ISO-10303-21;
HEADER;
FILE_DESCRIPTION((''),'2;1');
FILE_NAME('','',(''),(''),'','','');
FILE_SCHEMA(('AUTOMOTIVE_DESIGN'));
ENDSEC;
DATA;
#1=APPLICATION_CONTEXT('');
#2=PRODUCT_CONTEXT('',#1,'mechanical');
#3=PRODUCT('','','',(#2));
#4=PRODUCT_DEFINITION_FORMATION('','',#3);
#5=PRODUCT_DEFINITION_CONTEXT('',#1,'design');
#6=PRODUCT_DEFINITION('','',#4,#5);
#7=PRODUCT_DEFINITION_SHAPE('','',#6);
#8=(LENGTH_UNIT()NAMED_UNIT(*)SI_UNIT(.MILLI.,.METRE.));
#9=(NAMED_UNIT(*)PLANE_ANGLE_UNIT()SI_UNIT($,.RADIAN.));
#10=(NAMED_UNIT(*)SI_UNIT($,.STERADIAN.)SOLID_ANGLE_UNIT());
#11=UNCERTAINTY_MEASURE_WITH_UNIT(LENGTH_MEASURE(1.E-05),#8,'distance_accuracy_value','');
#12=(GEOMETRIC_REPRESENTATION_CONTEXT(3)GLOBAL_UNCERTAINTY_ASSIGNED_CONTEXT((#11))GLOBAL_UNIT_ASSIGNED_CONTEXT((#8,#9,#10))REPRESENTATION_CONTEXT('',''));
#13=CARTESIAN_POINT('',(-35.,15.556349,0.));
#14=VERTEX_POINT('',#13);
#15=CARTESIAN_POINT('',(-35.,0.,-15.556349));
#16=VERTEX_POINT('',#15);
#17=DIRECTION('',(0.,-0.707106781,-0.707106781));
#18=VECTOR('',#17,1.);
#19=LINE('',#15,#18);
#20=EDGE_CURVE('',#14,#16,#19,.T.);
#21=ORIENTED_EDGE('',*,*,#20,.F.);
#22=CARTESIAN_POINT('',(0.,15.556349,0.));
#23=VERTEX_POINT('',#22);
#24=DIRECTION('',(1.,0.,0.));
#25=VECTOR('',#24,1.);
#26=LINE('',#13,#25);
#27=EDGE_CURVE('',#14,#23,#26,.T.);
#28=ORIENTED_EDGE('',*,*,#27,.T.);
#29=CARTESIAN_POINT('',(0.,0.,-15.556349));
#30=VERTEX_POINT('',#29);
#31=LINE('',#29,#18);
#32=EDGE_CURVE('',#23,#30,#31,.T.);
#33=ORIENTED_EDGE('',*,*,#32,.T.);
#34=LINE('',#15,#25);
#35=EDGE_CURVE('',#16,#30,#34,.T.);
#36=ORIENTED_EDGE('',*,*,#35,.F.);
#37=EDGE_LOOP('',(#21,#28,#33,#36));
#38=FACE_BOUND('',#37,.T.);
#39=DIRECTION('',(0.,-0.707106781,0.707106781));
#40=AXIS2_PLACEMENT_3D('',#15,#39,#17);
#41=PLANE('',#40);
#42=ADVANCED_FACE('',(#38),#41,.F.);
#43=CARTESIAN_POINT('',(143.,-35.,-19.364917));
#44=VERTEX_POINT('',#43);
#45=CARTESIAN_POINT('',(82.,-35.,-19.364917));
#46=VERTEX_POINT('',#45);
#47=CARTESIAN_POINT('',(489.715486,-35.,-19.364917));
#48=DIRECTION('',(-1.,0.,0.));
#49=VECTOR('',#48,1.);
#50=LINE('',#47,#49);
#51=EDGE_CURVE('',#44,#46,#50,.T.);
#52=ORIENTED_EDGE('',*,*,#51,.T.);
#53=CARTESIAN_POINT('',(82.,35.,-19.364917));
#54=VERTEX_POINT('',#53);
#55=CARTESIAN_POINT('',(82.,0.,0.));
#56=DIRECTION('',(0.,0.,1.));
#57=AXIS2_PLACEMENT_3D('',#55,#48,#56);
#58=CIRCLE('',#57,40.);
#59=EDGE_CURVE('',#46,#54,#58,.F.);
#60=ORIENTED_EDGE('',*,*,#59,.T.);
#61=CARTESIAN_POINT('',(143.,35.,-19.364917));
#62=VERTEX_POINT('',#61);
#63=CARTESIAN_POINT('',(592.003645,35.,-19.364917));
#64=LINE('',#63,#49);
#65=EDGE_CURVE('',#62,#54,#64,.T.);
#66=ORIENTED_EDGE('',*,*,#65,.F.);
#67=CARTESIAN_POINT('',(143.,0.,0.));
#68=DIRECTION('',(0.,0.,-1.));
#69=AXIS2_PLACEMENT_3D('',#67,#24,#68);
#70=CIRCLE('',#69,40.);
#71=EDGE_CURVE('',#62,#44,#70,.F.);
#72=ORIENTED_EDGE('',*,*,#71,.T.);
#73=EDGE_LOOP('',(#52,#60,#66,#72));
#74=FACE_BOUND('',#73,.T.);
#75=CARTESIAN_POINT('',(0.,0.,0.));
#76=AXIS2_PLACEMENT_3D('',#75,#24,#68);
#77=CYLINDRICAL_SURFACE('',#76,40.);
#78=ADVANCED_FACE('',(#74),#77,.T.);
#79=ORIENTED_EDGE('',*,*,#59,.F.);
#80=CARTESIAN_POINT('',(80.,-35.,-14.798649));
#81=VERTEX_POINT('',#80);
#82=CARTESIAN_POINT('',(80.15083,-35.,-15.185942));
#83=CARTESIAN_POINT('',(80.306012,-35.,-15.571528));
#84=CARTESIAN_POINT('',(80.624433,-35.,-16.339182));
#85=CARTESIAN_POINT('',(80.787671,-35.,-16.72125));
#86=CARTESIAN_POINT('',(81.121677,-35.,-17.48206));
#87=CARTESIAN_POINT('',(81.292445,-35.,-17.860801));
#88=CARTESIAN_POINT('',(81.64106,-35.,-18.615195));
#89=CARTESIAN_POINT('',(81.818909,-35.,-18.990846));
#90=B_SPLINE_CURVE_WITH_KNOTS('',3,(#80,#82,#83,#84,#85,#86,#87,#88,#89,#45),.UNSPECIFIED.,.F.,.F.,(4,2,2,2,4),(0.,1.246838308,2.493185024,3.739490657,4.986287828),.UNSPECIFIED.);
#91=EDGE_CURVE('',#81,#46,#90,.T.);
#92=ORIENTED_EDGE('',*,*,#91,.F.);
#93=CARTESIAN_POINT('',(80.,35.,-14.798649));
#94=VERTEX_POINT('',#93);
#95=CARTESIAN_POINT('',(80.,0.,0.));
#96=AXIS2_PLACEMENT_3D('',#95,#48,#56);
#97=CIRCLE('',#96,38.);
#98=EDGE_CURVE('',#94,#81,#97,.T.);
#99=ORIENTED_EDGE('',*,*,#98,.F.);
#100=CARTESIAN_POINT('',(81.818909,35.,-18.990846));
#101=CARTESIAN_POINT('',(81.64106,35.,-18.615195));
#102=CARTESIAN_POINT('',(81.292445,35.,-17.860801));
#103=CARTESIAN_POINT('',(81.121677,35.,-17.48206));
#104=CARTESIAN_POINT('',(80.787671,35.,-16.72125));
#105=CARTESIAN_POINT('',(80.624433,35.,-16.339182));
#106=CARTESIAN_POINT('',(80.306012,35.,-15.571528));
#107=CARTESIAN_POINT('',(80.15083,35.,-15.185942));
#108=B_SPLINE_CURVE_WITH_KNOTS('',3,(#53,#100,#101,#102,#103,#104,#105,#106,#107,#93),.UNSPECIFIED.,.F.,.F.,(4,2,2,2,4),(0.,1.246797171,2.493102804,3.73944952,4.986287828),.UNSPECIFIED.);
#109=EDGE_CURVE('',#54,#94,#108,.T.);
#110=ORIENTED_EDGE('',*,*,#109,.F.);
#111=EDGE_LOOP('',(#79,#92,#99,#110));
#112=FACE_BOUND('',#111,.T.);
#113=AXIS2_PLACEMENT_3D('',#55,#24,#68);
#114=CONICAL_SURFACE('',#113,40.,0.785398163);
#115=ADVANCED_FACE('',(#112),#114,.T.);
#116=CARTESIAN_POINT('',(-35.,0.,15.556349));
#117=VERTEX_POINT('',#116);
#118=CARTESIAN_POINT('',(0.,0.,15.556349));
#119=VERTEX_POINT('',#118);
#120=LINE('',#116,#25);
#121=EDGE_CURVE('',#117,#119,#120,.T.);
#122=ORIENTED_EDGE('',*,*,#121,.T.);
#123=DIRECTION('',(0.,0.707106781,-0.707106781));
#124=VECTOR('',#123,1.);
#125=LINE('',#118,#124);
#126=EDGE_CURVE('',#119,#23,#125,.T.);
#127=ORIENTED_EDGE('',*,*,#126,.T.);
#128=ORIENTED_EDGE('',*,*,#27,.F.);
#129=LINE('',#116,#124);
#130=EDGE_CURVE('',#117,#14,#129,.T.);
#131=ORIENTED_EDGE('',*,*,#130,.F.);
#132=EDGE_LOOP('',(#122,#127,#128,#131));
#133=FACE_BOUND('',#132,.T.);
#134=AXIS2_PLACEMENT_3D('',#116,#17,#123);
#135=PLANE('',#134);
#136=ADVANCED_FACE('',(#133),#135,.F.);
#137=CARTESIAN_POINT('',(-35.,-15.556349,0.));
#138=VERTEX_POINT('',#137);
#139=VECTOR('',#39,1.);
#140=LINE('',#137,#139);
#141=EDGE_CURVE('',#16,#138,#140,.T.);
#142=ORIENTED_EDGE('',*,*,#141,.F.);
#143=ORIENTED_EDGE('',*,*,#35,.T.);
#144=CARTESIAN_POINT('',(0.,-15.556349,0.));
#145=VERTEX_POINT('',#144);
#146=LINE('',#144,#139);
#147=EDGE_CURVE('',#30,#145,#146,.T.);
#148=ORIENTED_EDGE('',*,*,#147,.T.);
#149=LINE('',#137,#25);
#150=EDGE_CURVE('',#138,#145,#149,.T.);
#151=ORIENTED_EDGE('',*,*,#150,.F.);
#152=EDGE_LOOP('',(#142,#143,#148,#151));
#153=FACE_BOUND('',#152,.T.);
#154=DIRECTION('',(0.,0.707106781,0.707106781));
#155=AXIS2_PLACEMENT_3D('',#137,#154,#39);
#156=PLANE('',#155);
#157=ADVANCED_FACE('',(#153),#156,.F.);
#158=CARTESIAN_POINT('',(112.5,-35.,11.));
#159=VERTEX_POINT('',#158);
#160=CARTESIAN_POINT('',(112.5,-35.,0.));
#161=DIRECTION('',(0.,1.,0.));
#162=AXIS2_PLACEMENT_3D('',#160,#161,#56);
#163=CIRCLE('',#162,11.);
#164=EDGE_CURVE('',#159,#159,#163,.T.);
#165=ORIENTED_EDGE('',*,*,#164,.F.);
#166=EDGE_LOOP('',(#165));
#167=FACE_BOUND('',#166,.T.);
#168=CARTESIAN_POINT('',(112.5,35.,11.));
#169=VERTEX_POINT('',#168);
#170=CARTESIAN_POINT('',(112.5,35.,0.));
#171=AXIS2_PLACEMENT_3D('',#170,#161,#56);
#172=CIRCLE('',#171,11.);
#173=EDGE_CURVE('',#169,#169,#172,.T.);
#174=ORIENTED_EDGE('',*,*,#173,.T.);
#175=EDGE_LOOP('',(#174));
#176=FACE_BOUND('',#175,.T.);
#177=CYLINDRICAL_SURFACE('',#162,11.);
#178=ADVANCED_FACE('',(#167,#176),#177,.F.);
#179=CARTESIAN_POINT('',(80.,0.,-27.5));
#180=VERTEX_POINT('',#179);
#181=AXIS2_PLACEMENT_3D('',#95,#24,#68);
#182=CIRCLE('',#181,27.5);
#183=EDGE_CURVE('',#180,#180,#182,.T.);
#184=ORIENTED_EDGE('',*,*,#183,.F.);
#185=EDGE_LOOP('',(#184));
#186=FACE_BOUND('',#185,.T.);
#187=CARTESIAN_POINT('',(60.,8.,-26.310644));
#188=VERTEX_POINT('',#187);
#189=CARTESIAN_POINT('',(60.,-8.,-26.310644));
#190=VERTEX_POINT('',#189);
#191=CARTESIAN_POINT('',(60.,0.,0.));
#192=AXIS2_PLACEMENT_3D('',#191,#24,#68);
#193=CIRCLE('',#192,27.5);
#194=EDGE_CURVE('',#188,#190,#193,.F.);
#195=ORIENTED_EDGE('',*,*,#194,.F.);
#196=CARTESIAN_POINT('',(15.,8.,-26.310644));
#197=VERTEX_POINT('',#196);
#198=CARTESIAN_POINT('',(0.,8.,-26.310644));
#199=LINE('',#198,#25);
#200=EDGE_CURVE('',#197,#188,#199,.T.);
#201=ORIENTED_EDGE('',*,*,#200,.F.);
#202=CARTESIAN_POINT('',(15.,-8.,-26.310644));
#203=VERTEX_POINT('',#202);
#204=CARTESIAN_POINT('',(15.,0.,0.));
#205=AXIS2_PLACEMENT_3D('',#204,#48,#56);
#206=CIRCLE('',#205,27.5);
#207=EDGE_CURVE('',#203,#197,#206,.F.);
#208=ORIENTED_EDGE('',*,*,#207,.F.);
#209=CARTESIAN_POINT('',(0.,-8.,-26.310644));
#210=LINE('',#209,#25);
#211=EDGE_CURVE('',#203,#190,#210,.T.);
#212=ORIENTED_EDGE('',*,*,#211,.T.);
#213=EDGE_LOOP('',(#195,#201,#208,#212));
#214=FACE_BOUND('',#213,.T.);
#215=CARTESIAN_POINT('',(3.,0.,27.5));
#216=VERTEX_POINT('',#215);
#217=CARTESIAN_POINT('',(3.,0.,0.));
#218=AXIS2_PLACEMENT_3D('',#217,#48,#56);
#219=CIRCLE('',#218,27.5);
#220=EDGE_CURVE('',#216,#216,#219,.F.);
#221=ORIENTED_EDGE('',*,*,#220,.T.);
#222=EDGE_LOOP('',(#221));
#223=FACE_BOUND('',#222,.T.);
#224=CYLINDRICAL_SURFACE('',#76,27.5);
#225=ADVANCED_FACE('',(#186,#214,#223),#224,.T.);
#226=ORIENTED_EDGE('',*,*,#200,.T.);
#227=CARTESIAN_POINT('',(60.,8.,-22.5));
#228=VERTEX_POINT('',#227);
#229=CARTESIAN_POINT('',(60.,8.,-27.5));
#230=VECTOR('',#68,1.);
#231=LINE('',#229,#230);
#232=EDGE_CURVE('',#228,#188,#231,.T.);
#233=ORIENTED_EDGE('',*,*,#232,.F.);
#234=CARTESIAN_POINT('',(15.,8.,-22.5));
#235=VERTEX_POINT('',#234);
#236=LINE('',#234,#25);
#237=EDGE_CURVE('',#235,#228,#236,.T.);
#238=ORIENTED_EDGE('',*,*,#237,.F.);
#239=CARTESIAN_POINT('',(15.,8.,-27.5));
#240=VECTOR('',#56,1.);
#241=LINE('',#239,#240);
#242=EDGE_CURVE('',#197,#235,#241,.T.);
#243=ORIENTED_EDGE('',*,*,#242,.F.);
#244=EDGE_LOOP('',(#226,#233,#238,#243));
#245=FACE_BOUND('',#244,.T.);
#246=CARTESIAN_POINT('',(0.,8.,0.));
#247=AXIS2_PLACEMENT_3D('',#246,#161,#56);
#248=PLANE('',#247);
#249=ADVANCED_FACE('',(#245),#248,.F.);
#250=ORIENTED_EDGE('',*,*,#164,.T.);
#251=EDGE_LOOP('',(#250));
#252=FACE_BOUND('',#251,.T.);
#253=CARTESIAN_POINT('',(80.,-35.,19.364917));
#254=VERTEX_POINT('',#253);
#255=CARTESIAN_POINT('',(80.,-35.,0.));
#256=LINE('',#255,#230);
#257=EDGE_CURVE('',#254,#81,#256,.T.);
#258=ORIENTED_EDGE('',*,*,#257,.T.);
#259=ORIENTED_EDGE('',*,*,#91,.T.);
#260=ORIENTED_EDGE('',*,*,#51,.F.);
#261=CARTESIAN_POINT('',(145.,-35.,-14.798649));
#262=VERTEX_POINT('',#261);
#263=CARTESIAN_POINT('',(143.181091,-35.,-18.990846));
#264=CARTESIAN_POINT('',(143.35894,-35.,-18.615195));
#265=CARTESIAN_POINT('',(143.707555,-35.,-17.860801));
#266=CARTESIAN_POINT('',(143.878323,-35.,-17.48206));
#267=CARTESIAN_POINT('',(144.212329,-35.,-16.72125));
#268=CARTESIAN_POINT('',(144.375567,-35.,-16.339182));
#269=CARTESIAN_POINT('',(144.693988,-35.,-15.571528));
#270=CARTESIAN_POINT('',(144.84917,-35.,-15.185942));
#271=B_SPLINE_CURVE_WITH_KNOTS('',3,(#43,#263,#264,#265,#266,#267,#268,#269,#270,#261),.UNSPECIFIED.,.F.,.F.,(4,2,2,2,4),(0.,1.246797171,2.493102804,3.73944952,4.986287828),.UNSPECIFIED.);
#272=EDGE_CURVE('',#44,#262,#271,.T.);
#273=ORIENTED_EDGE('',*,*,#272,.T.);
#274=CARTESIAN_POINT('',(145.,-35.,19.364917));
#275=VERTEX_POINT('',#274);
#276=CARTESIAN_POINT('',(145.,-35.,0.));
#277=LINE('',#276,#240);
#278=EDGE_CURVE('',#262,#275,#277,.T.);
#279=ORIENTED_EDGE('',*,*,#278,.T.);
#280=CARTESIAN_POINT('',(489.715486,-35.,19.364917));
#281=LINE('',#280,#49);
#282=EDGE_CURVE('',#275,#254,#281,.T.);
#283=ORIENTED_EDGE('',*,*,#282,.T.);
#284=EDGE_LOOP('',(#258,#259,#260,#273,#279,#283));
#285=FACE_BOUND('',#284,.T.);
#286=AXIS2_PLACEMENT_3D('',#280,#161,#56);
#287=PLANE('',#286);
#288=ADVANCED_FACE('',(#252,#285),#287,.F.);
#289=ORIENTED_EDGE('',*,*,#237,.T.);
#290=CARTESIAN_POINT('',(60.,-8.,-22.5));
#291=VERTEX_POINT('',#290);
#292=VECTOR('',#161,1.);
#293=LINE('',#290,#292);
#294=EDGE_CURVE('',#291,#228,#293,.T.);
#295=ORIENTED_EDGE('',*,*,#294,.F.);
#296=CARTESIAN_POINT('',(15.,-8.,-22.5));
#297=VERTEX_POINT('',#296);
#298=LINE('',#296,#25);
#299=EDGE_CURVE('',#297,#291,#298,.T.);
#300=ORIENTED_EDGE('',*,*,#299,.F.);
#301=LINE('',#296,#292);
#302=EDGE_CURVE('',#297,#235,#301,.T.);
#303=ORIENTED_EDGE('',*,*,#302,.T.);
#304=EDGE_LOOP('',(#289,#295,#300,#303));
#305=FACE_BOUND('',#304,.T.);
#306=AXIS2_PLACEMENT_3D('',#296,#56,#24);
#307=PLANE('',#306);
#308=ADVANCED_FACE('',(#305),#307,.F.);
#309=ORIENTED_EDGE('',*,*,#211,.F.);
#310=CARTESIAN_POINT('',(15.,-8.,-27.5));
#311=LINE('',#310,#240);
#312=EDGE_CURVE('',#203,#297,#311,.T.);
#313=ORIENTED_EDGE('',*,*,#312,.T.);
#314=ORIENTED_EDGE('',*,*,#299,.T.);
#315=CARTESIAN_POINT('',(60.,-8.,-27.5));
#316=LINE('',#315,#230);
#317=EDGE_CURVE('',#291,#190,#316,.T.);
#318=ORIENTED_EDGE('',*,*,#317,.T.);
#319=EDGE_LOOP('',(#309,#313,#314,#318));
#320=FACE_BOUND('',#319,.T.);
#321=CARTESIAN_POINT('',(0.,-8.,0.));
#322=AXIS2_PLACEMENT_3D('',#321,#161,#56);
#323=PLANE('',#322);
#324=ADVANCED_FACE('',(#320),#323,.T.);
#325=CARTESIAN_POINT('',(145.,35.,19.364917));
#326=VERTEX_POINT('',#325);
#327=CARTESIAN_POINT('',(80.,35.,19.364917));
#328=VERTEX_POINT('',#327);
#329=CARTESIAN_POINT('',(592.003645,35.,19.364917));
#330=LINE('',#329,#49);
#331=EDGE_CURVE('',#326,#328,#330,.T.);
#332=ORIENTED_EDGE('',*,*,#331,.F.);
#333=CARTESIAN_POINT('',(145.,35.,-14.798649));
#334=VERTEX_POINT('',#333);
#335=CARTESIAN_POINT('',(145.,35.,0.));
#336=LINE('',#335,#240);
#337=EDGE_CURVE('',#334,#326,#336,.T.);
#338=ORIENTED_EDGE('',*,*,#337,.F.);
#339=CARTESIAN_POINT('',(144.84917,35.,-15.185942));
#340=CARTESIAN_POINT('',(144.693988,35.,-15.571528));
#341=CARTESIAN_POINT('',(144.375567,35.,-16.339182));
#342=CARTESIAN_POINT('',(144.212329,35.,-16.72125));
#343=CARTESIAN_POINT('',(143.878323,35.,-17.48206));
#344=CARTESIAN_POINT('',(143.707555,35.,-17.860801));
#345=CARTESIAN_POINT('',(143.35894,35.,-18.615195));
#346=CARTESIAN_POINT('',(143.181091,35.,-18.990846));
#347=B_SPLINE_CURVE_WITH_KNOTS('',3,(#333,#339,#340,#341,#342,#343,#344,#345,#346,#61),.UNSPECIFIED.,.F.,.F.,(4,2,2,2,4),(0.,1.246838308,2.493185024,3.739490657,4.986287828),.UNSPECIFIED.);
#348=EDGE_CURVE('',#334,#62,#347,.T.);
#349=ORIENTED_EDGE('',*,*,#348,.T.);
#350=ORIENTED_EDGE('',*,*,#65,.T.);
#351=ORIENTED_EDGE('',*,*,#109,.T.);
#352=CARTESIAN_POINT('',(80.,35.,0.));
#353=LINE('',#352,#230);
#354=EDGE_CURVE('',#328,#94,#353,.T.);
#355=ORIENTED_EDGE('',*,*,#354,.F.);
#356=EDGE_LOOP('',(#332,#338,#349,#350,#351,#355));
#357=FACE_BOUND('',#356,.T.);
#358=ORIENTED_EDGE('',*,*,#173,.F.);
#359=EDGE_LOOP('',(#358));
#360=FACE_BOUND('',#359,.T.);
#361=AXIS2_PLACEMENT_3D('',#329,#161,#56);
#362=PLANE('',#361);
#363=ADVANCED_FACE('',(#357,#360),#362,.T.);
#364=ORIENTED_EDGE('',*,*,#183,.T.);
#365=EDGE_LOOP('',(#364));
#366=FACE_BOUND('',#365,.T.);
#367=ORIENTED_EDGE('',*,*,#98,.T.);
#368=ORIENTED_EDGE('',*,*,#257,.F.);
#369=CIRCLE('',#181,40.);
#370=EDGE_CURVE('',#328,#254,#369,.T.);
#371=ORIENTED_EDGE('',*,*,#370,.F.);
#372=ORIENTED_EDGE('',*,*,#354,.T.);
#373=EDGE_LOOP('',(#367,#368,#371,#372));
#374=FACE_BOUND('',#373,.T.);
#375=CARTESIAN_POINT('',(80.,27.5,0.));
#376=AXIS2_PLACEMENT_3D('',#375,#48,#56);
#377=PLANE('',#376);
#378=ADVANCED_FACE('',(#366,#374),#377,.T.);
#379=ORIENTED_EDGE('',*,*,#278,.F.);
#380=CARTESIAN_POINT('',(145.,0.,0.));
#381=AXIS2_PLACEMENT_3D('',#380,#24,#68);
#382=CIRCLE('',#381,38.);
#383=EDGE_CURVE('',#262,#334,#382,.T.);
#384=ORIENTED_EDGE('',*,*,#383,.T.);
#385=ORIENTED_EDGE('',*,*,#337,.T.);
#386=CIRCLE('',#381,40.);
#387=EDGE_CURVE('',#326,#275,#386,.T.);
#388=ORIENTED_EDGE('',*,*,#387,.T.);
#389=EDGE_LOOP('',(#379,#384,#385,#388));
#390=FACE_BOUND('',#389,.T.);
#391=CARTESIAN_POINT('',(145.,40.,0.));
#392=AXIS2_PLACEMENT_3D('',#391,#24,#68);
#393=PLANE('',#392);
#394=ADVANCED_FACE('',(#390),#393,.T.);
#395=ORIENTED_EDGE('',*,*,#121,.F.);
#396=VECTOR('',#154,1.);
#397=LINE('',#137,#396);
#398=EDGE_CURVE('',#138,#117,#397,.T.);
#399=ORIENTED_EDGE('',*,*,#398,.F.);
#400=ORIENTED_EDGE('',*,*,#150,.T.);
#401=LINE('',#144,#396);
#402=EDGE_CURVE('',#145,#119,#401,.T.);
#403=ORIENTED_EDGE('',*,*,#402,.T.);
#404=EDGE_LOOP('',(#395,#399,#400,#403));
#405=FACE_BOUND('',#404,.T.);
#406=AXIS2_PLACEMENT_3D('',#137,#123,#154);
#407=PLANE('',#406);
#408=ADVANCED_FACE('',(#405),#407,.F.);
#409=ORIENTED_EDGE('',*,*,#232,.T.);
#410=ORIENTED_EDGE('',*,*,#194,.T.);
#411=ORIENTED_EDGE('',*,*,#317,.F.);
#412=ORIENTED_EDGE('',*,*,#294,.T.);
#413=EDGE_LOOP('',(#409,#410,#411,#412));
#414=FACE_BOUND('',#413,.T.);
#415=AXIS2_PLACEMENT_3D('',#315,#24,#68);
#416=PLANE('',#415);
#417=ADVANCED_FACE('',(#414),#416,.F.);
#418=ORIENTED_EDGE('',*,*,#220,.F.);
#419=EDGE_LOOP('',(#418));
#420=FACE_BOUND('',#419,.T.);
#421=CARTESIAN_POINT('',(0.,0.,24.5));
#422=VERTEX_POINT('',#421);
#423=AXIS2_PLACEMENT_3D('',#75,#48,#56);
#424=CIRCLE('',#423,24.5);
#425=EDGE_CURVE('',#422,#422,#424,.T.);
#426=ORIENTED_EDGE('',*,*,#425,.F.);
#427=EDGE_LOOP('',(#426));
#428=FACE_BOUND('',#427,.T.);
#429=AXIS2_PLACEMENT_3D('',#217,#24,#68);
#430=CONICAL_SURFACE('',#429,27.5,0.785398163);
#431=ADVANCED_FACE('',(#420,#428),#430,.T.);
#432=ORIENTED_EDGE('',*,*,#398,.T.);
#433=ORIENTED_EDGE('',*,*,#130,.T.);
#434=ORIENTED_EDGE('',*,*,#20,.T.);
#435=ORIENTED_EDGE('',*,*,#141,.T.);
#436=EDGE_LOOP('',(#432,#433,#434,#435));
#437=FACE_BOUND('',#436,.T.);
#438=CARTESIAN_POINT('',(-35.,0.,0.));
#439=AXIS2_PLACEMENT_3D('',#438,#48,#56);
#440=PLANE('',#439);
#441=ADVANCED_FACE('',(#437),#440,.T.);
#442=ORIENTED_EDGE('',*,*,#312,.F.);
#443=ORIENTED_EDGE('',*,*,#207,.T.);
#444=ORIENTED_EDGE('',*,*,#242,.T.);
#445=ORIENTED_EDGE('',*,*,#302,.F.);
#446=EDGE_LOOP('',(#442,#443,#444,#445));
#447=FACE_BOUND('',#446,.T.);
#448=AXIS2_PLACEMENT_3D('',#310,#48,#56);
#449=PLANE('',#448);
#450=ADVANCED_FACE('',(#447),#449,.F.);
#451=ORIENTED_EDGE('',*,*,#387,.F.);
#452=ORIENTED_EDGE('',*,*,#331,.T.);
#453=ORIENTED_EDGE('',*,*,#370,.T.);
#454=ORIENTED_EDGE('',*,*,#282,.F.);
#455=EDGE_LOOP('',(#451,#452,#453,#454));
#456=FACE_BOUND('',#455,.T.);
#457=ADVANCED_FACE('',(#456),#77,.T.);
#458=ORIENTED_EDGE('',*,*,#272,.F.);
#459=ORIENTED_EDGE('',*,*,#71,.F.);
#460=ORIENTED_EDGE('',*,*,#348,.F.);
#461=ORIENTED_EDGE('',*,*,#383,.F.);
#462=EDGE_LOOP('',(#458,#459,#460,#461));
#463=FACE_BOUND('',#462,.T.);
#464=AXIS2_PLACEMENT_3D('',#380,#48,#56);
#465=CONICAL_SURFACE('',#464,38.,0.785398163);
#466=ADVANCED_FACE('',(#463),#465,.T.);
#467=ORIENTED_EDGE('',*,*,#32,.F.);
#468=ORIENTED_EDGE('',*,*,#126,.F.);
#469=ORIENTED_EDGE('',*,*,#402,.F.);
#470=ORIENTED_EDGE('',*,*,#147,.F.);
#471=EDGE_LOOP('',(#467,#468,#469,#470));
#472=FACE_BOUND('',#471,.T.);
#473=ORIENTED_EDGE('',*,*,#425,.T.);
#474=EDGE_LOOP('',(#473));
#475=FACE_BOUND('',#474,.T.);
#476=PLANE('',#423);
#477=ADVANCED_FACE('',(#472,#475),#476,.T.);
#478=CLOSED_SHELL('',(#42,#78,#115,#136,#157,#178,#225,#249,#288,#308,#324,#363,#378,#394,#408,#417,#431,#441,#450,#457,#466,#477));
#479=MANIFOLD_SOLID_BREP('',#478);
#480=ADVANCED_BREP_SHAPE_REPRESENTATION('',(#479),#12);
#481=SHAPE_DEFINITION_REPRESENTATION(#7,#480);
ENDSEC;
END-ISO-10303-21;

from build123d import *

# Parameters (mm, degrees)
EXTRUDE_1_DEPTH          = 35
SKETCH_4_W               = 45
SKETCH_4_H               = 5
CUT_EXTRUDE_1_DEPTH      = 8
CUT_EXTRUDE_2_DEPTH      = 189.679622641
CUT_EXTRUDE_3_DEPTH      = 166.90660023
CUT_EXTRUDE_3_DEPTH_BACK = 166.90660023
SKETCH_6_R               = 11
CHAMFER_1_SIZE           = 2
CHAMFER_2_SIZE           = 3


with BuildPart() as part:
    # Эскиз1 → Повернуть1 (revolve)
    with BuildSketch(Plane.XY, mode=Mode.PRIVATE) as revolve_1_sk:
        Polygon((0, 0), (0, 27.5), (80, 27.5), (80, 40), (145, 40), (145, 0), align=None)
    revolve(revolve_1_sk.sketch.rotate(Axis((0, 0, 0), (-1, 0, 0)), 90), axis=Axis((0, 0, 0), (-1, 0, 0)))

    # Эскиз3 → Бобышка-Вытянуть1 (add)
    with BuildSketch(Plane.ZY):
        Polygon((0, -15.556349186), (-15.556349186, 0), (0, 15.556349186), (15.556349186, 0), align=None)
    extrude(amount=EXTRUDE_1_DEPTH)

    # Эскиз4 → Вырез-Вытянуть1 (cut, symmetric)
    with BuildSketch(Plane(origin=(0, 0, 0), x_dir=(1, 0, 0), z_dir=(0, 1, 0))):
        with Locations((37.5, 25)):
            Rectangle(SKETCH_4_W, SKETCH_4_H)
    extrude(amount=CUT_EXTRUDE_1_DEPTH, both=True, mode=Mode.SUBTRACT)

    # Эскиз5 → Вырез-Вытянуть2 (cut, symmetric)
    with BuildSketch(Plane(origin=(145, 0, 0), x_dir=(0, 0, -1), z_dir=(1, 0, 0))):
        Polygon((-220.667748268, 35), (-19.364916731, 35), (19.364916731, 35), (220.667748268, 35), (220.667748268, 437.605663073), (-220.667748268, 437.605663073), align=None)
    cut_extrude_2 = extrude(amount=CUT_EXTRUDE_2_DEPTH, both=True, mode=Mode.SUBTRACT)

    # Зеркальное отражение1: Вырез-Вытянуть2 across plane
    add(cut_extrude_2.mirror(Plane.ZX), mode=Mode.SUBTRACT)

    # Эскиз6 → Вырез-Вытянуть3 (cut, two sides: drawn at the far end of the back side and taken through both)
    with BuildSketch(Plane(origin=(0, 35, 0), x_dir=(1, 0, 0), z_dir=(0, 1, 0)).offset(-CUT_EXTRUDE_3_DEPTH_BACK)):
        with Locations(Location((112.5, 0, 0), (0, 0, 270))):
            Circle(SKETCH_6_R)
    extrude(amount=CUT_EXTRUDE_3_DEPTH + CUT_EXTRUDE_3_DEPTH_BACK, mode=Mode.SUBTRACT)

    # Фаска1
    chamfer_1_edges = [part.edges().sort_by_distance(p)[0] for p in [
        (145, 0, -40),
        (80, 0, -40),
    ]]
    chamfer(chamfer_1_edges, length=CHAMFER_1_SIZE)

    # Фаска2
    chamfer_2_edges = [part.edges().sort_by_distance(p)[0] for p in [
        (0, 0, 27.5),
    ]]
    chamfer(chamfer_2_edges, length=CHAMFER_2_SIZE)


solid = part.part
